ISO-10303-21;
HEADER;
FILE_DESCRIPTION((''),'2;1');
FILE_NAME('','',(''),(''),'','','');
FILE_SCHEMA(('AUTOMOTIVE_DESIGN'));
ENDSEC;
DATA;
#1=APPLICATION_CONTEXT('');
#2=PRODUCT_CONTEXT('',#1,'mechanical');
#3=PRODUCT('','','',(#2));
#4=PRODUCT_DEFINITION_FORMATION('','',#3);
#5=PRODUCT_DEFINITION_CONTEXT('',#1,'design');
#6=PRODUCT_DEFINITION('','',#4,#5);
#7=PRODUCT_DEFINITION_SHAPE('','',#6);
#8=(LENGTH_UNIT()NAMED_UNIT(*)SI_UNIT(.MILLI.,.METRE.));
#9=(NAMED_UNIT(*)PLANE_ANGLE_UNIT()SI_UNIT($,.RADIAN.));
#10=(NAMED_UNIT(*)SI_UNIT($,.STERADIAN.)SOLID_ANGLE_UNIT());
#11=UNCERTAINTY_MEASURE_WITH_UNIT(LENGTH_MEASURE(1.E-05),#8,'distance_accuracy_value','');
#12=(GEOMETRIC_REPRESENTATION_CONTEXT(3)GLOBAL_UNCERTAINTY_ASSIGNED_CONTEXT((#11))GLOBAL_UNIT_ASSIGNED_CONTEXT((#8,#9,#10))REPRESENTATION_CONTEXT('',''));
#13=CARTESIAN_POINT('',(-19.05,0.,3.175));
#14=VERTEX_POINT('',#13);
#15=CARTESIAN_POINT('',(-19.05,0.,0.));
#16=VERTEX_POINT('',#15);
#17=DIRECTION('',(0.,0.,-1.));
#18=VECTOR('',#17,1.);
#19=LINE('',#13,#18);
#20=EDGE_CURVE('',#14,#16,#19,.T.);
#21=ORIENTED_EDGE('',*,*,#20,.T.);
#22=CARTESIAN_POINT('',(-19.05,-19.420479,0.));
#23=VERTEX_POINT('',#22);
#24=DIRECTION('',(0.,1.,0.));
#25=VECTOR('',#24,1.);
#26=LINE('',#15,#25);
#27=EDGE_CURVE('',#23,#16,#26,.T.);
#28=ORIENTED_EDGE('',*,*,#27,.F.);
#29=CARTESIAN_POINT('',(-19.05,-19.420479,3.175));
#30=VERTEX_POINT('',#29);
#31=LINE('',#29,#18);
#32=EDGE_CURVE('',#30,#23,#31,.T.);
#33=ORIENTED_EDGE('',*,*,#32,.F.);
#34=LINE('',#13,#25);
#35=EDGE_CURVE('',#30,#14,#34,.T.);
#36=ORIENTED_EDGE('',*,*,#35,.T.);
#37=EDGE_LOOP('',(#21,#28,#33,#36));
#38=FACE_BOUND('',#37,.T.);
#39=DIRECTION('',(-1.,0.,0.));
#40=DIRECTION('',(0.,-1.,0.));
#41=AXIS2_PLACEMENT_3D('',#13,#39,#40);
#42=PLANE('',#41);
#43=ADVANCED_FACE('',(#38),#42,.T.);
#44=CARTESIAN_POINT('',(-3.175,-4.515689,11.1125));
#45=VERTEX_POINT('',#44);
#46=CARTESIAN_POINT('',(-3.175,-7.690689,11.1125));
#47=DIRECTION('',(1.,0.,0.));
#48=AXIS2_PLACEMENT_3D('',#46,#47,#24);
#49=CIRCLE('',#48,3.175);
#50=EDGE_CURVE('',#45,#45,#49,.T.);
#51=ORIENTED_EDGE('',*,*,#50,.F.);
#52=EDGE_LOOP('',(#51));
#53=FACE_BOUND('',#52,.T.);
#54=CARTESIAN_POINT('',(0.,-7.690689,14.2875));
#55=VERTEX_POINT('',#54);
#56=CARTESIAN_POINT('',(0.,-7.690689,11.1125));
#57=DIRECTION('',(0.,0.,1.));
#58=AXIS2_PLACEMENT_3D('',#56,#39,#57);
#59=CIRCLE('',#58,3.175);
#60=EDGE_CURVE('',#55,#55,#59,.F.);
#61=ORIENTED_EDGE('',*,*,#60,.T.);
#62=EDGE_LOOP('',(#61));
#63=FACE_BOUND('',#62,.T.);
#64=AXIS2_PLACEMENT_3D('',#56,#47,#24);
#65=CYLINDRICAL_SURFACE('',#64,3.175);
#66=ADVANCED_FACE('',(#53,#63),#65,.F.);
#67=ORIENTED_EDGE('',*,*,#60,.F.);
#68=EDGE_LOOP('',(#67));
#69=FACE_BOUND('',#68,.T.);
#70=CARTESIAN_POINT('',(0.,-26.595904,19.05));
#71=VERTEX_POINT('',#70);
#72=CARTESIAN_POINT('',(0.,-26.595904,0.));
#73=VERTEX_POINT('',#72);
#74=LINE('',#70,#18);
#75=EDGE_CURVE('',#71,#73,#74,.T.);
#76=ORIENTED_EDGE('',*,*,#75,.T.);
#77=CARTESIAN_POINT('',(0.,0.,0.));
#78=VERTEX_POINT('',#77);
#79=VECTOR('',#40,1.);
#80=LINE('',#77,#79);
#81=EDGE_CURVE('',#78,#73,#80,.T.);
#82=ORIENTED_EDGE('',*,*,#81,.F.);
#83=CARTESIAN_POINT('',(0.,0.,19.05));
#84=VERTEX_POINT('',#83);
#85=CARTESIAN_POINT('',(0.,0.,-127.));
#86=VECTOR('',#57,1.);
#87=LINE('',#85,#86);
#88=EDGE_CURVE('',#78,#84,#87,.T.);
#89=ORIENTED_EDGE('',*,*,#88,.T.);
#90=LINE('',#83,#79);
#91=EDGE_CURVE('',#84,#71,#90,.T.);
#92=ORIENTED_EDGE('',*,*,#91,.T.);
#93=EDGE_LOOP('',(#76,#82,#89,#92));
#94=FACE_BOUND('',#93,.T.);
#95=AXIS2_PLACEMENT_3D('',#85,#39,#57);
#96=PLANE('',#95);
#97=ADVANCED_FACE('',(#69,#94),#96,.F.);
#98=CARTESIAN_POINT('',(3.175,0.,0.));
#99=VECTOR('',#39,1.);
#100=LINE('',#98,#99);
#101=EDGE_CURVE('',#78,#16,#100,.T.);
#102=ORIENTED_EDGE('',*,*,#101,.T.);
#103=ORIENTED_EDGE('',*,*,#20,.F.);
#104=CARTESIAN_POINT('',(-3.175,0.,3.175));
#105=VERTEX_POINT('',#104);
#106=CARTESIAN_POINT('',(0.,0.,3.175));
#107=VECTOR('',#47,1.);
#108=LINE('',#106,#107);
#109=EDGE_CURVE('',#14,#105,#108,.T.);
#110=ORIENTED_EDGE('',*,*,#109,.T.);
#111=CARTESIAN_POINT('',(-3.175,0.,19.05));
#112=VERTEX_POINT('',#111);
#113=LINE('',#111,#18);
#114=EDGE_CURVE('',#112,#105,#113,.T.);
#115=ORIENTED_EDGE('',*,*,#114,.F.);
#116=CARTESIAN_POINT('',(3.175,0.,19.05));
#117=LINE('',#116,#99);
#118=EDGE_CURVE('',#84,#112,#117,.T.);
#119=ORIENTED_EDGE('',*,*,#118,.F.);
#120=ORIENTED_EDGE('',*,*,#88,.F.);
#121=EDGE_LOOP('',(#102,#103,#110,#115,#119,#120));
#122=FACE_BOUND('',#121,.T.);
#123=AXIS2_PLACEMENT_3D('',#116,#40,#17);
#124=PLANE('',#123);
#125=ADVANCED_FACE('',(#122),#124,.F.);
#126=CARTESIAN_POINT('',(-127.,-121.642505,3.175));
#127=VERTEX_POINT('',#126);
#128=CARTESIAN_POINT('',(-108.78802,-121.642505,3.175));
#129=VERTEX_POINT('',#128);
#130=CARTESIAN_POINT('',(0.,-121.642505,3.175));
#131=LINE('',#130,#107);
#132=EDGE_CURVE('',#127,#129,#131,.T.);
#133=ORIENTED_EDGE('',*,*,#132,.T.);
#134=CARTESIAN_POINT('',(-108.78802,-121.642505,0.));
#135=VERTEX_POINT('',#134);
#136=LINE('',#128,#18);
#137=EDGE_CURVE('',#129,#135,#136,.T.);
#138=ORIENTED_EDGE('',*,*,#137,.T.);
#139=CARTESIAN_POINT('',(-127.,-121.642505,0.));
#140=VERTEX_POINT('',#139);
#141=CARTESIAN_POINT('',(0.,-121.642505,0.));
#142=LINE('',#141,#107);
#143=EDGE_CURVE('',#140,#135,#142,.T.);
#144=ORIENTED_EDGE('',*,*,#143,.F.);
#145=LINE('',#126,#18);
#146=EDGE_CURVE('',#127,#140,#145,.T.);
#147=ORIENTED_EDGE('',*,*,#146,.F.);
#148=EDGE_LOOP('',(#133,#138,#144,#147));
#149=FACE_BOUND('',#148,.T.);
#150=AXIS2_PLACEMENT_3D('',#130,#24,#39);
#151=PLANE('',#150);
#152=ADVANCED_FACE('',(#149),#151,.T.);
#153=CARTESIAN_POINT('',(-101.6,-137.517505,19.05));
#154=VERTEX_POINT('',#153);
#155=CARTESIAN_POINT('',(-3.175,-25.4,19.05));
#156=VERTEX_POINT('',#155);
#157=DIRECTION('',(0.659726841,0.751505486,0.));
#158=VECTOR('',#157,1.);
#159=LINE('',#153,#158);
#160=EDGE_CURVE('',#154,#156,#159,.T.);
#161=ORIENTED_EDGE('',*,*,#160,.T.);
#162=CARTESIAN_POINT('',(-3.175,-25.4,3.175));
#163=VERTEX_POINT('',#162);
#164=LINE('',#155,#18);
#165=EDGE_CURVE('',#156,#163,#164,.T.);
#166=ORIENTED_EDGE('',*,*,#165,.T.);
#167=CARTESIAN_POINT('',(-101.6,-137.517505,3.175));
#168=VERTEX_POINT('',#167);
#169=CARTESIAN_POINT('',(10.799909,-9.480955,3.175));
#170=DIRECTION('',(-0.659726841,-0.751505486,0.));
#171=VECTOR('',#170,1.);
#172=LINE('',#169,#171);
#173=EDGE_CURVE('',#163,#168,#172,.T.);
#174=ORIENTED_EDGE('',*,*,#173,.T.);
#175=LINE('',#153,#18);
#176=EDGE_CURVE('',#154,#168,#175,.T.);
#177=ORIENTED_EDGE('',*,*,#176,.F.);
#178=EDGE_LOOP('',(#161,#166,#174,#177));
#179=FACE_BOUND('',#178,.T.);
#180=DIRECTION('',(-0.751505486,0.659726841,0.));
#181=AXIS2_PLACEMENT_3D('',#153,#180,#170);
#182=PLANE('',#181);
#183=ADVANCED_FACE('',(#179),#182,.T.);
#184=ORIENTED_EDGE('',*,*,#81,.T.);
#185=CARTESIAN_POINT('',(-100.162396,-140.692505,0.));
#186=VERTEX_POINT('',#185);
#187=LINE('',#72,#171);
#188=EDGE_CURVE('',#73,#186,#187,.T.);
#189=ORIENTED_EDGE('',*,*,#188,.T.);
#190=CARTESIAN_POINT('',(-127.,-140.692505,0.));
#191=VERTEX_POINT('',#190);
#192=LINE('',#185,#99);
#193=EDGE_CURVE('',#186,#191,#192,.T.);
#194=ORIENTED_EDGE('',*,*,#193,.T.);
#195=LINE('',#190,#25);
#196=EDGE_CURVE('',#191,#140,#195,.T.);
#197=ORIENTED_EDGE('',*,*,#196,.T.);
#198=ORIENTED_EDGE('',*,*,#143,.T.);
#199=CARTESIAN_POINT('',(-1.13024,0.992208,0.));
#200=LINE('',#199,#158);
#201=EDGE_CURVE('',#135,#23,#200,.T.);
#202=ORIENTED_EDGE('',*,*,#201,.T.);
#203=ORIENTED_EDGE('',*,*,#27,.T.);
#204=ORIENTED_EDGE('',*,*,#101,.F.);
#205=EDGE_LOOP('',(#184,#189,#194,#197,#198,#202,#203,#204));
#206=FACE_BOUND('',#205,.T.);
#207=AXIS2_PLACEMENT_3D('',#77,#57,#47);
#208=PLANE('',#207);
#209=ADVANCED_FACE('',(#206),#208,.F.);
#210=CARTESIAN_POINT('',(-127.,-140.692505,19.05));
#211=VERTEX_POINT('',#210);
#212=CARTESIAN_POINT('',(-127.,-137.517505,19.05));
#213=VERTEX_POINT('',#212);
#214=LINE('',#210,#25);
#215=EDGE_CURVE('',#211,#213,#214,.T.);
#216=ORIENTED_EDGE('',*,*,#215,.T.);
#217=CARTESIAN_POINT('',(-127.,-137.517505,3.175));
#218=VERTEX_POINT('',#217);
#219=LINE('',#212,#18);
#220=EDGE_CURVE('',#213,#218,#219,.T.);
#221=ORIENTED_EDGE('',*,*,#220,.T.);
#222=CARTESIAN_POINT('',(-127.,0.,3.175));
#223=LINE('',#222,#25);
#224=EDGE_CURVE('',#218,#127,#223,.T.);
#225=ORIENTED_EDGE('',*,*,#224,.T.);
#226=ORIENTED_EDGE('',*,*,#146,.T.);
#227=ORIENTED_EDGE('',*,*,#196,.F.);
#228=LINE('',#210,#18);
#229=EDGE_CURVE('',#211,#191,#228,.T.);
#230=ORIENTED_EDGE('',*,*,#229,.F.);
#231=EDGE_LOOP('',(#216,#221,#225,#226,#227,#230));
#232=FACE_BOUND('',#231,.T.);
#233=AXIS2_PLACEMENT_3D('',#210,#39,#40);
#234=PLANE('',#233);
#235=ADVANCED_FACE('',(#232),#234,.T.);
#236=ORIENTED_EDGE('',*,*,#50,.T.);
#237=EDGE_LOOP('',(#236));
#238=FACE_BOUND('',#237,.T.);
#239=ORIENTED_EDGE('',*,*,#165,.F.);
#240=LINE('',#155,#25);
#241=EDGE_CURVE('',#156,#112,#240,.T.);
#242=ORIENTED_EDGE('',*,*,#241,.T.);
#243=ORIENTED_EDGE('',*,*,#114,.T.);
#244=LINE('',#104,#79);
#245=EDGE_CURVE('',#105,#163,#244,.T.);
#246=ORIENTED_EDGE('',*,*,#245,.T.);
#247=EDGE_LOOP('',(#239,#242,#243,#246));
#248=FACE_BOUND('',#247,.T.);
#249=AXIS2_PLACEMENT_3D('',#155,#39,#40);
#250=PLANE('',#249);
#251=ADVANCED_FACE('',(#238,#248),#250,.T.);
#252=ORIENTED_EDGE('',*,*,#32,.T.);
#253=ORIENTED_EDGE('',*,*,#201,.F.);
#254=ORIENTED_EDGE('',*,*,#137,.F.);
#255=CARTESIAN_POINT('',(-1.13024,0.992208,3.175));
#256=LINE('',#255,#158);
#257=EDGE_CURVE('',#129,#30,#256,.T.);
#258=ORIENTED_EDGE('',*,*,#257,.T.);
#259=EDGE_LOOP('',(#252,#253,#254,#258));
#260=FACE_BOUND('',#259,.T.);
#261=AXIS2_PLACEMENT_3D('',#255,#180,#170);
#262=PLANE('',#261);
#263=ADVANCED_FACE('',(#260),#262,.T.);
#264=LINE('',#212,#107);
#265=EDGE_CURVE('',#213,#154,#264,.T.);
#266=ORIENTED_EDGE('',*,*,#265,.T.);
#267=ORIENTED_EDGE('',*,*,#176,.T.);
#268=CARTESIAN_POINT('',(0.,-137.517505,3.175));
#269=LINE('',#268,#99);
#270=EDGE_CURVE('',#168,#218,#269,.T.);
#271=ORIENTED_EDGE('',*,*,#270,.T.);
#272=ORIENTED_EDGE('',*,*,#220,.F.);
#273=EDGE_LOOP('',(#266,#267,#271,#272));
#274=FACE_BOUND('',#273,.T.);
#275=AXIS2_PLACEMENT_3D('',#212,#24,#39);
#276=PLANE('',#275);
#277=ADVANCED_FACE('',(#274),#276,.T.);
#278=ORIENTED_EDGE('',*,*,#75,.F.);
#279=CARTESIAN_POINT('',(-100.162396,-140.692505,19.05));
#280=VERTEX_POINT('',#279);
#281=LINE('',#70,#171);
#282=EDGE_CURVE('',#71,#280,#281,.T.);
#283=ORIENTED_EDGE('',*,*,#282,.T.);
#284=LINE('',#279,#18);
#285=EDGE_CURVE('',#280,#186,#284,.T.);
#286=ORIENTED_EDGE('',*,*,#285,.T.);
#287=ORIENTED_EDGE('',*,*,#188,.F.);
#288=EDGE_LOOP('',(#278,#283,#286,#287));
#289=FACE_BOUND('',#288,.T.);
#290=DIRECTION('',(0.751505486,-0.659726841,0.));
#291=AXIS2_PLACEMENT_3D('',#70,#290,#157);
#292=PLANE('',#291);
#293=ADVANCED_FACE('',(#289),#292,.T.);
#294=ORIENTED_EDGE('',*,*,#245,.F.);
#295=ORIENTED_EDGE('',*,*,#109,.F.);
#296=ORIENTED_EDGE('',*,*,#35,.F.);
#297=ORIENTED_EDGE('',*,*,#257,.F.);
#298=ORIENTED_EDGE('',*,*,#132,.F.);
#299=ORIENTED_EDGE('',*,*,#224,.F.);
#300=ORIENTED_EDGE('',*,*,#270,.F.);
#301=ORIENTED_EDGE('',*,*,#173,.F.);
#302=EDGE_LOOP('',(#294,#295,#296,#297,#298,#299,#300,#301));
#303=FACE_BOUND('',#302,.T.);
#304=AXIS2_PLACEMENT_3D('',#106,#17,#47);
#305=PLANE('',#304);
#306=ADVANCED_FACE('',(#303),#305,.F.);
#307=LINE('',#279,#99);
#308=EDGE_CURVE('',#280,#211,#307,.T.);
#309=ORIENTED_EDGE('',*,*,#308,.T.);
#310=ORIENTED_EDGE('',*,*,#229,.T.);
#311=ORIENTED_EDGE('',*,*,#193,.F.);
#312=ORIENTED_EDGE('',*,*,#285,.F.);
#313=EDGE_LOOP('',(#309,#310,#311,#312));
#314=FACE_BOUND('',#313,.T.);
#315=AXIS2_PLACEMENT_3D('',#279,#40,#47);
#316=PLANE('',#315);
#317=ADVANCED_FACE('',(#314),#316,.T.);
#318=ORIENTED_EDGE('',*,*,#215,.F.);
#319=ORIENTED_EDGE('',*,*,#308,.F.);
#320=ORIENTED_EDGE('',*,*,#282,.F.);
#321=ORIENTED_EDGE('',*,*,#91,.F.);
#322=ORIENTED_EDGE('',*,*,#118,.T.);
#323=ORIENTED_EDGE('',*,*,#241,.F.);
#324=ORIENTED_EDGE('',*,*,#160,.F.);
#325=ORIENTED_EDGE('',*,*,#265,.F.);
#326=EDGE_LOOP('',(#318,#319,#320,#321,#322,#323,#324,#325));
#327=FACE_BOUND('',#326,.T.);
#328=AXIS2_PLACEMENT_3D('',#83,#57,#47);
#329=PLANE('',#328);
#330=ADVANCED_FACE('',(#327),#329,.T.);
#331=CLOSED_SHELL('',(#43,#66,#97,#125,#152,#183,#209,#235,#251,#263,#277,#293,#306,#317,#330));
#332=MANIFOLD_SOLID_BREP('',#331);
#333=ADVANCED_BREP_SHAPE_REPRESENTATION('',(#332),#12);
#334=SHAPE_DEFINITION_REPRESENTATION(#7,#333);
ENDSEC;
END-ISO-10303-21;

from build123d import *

# Parameters (mm, degrees)
BOSS_EXTRUDE1_DEPTH = 19.05
BOSS_EXTRUDE2_DEPTH = 3.175
SKETCH3_R           = 3.175
CUT_EXTRUDE1_DEPTH  = 189.387669682
SKETCH4_W           = 151.529186582
SKETCH4_H           = 154.937341475
CUT_EXTRUDE2_DEPTH  = 146.05


with BuildPart() as part:
    # Sketch1 → Boss-Extrude1 (new body)
    with BuildSketch(Plane.XY):
        Polygon((0, 0), (0, -26.595904174), (100.162396017, -140.692505), (127, -140.692505), (127, -137.517505), (101.6, -137.517505), (3.175, -25.4), (3.175, 0), align=None)
    boss_extrude1 = extrude(amount=BOSS_EXTRUDE1_DEPTH)

    # Sketch2 → Boss-Extrude2 (add)
    with BuildSketch(Plane(origin=(0, 0, 0), x_dir=(-1, 0, 0), z_dir=(0, 0, -1))):
        Polygon((-19.05, 0), (-3.175, 0), (-3.175, -25.4), (-101.6, -137.517505), (-127, -137.517505), (-127, -121.642505), (-108.788019913, -121.642505), (-19.05, -19.42047913), align=None)
    boss_extrude2 = extrude(amount=-BOSS_EXTRUDE2_DEPTH)

    # Sketch3 → Cut-Extrude1 (cut, through all)
    with BuildSketch(Plane(origin=(3.175, 0, 0), x_dir=(0, 0, -1), z_dir=(1, 0, 0))):
        with Locations(Location((-11.1125, -7.690689216, 0), (0, 0, 90))):
            Circle(SKETCH3_R)
    cut_extrude1 = extrude(amount=-CUT_EXTRUDE1_DEPTH, mode=Mode.SUBTRACT)

    # Mirror1: Boss-Extrude1, Boss-Extrude2, Cut-Extrude1 across plane
    add(boss_extrude1.mirror(Plane(origin=(0, 0, 19.05), x_dir=(0, 0, 1), z_dir=(1, 0, 0))))
    add(boss_extrude2.mirror(Plane(origin=(0, 0, 19.05), x_dir=(0, 0, 1), z_dir=(1, 0, 0))))
    add(cut_extrude1.mirror(Plane(origin=(0, 0, 19.05), x_dir=(0, 0, 1), z_dir=(1, 0, 0))), mode=Mode.SUBTRACT)

    # Sketch4 → Cut-Extrude2 (cut)
    with BuildSketch(Plane.XY.offset(19.05)):
        with Locations((75.764593291, -77.468670738)):
            Rectangle(SKETCH4_W, SKETCH4_H)
    extrude(amount=-CUT_EXTRUDE2_DEPTH, mode=Mode.SUBTRACT)


solid = part.part
